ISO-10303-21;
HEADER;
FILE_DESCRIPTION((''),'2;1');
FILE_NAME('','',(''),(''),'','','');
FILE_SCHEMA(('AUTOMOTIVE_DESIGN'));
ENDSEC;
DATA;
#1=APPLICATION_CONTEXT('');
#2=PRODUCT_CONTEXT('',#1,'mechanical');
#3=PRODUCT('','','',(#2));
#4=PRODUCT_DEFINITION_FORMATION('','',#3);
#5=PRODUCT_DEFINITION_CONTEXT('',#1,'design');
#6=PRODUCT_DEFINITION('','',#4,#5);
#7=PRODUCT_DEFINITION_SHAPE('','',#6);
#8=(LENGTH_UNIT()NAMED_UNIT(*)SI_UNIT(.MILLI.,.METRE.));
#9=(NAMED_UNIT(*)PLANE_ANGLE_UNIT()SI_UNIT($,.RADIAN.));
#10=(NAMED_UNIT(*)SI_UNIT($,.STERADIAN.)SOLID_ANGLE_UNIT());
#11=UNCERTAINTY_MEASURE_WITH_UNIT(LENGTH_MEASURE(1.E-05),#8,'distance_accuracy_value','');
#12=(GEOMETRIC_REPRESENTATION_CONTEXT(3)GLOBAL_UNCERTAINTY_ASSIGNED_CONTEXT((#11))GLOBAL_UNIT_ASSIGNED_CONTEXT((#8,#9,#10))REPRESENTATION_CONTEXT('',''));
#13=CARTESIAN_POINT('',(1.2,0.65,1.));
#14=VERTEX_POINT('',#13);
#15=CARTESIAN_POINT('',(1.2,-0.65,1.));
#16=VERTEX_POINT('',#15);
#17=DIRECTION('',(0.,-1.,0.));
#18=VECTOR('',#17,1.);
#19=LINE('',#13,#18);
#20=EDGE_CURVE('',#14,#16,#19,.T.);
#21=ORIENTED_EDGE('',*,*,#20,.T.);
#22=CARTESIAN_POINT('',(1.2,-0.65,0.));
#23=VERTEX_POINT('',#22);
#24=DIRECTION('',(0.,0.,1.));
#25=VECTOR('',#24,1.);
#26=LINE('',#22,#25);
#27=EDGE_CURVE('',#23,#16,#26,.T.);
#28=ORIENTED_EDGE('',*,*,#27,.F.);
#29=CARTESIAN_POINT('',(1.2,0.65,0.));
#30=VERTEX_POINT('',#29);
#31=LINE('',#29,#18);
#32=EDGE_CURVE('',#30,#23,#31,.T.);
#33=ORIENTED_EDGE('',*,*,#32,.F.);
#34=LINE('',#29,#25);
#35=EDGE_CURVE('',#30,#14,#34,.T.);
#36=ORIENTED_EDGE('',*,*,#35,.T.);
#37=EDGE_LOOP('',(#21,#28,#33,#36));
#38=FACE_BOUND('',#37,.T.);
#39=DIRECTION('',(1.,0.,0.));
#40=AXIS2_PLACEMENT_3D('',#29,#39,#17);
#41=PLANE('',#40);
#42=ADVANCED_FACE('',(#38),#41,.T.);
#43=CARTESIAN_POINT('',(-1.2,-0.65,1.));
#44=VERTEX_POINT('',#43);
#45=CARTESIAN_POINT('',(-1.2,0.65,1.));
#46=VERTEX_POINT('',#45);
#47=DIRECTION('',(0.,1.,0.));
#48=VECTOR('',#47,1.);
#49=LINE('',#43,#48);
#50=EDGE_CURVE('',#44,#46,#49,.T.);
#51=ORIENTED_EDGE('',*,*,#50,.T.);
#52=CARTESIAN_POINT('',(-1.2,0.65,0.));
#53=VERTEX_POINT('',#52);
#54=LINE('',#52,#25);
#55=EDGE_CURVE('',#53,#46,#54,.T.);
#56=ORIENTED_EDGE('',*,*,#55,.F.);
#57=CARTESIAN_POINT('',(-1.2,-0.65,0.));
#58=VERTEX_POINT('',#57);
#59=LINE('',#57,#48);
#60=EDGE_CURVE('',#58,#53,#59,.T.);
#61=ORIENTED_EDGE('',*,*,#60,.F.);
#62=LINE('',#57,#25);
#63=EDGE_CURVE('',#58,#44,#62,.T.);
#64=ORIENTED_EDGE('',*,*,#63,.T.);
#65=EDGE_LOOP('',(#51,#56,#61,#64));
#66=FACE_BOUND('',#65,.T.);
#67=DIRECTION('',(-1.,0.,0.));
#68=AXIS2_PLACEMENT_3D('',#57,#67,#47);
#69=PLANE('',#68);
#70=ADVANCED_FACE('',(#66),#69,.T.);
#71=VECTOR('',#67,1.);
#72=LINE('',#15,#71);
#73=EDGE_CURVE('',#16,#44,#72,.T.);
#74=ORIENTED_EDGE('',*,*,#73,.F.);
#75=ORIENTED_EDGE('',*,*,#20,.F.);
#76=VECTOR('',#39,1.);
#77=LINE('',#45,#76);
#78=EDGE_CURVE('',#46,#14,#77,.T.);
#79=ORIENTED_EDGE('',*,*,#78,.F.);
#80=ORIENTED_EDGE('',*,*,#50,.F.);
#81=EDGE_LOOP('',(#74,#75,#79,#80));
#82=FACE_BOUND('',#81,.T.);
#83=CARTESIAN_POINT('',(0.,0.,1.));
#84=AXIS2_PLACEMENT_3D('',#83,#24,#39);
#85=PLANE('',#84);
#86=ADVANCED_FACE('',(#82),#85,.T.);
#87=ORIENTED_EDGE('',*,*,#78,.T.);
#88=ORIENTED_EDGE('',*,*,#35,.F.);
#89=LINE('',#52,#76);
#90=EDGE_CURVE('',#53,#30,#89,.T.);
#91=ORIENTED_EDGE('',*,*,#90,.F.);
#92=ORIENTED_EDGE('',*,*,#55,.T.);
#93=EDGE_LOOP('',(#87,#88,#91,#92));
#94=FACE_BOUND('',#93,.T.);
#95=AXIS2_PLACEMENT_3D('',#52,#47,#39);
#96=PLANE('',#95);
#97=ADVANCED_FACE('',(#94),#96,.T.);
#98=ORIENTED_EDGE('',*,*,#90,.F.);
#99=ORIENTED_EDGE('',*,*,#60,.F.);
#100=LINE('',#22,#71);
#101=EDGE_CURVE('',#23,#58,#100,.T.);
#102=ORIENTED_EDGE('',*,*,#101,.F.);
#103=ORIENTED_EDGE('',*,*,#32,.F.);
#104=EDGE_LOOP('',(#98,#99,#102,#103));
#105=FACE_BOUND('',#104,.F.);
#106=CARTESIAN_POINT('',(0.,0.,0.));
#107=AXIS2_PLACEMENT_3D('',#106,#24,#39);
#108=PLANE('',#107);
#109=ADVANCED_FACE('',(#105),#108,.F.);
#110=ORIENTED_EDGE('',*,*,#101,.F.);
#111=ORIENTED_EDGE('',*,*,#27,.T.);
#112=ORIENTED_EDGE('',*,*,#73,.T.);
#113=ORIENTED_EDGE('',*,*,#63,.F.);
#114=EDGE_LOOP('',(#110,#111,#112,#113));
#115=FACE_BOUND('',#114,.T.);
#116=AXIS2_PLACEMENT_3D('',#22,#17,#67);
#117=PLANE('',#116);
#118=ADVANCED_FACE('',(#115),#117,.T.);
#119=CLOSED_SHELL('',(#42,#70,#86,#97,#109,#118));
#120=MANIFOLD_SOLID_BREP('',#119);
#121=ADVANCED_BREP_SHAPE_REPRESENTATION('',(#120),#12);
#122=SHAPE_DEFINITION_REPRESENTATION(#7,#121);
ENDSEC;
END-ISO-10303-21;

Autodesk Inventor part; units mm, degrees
ref_plane "YZ Plane" through (0, 0, 0) normal (1, 0, 0) x (0, 1, 0)
ref_plane "XZ Plane" through (0, 0, 0) normal (0, 1, 0) x (-1, 0, 0)
ref_plane "XY Plane" through (0, 0, 0) normal (0, 0, 1) x (1, 0, 0)
sketch "0402, 0_1UF_5" plane through (0, 0, 0) normal (0, 0, 1) x (1, 0, 0)
  line L0 (-1.2, 0.65) -> (1.2, 0.65)
  line L1 (1.2, 0.65) -> (1.2, -0.65)
  line L2 (1.2, -0.65) -> (-1.2, -0.65)
  line L3 (-1.2, -0.65) -> (-1.2, 0.65)
extrude "Extrusion1" add sketch "0402, 0_1UF_5" along normal blind 1
properties part number "0_1UF"
